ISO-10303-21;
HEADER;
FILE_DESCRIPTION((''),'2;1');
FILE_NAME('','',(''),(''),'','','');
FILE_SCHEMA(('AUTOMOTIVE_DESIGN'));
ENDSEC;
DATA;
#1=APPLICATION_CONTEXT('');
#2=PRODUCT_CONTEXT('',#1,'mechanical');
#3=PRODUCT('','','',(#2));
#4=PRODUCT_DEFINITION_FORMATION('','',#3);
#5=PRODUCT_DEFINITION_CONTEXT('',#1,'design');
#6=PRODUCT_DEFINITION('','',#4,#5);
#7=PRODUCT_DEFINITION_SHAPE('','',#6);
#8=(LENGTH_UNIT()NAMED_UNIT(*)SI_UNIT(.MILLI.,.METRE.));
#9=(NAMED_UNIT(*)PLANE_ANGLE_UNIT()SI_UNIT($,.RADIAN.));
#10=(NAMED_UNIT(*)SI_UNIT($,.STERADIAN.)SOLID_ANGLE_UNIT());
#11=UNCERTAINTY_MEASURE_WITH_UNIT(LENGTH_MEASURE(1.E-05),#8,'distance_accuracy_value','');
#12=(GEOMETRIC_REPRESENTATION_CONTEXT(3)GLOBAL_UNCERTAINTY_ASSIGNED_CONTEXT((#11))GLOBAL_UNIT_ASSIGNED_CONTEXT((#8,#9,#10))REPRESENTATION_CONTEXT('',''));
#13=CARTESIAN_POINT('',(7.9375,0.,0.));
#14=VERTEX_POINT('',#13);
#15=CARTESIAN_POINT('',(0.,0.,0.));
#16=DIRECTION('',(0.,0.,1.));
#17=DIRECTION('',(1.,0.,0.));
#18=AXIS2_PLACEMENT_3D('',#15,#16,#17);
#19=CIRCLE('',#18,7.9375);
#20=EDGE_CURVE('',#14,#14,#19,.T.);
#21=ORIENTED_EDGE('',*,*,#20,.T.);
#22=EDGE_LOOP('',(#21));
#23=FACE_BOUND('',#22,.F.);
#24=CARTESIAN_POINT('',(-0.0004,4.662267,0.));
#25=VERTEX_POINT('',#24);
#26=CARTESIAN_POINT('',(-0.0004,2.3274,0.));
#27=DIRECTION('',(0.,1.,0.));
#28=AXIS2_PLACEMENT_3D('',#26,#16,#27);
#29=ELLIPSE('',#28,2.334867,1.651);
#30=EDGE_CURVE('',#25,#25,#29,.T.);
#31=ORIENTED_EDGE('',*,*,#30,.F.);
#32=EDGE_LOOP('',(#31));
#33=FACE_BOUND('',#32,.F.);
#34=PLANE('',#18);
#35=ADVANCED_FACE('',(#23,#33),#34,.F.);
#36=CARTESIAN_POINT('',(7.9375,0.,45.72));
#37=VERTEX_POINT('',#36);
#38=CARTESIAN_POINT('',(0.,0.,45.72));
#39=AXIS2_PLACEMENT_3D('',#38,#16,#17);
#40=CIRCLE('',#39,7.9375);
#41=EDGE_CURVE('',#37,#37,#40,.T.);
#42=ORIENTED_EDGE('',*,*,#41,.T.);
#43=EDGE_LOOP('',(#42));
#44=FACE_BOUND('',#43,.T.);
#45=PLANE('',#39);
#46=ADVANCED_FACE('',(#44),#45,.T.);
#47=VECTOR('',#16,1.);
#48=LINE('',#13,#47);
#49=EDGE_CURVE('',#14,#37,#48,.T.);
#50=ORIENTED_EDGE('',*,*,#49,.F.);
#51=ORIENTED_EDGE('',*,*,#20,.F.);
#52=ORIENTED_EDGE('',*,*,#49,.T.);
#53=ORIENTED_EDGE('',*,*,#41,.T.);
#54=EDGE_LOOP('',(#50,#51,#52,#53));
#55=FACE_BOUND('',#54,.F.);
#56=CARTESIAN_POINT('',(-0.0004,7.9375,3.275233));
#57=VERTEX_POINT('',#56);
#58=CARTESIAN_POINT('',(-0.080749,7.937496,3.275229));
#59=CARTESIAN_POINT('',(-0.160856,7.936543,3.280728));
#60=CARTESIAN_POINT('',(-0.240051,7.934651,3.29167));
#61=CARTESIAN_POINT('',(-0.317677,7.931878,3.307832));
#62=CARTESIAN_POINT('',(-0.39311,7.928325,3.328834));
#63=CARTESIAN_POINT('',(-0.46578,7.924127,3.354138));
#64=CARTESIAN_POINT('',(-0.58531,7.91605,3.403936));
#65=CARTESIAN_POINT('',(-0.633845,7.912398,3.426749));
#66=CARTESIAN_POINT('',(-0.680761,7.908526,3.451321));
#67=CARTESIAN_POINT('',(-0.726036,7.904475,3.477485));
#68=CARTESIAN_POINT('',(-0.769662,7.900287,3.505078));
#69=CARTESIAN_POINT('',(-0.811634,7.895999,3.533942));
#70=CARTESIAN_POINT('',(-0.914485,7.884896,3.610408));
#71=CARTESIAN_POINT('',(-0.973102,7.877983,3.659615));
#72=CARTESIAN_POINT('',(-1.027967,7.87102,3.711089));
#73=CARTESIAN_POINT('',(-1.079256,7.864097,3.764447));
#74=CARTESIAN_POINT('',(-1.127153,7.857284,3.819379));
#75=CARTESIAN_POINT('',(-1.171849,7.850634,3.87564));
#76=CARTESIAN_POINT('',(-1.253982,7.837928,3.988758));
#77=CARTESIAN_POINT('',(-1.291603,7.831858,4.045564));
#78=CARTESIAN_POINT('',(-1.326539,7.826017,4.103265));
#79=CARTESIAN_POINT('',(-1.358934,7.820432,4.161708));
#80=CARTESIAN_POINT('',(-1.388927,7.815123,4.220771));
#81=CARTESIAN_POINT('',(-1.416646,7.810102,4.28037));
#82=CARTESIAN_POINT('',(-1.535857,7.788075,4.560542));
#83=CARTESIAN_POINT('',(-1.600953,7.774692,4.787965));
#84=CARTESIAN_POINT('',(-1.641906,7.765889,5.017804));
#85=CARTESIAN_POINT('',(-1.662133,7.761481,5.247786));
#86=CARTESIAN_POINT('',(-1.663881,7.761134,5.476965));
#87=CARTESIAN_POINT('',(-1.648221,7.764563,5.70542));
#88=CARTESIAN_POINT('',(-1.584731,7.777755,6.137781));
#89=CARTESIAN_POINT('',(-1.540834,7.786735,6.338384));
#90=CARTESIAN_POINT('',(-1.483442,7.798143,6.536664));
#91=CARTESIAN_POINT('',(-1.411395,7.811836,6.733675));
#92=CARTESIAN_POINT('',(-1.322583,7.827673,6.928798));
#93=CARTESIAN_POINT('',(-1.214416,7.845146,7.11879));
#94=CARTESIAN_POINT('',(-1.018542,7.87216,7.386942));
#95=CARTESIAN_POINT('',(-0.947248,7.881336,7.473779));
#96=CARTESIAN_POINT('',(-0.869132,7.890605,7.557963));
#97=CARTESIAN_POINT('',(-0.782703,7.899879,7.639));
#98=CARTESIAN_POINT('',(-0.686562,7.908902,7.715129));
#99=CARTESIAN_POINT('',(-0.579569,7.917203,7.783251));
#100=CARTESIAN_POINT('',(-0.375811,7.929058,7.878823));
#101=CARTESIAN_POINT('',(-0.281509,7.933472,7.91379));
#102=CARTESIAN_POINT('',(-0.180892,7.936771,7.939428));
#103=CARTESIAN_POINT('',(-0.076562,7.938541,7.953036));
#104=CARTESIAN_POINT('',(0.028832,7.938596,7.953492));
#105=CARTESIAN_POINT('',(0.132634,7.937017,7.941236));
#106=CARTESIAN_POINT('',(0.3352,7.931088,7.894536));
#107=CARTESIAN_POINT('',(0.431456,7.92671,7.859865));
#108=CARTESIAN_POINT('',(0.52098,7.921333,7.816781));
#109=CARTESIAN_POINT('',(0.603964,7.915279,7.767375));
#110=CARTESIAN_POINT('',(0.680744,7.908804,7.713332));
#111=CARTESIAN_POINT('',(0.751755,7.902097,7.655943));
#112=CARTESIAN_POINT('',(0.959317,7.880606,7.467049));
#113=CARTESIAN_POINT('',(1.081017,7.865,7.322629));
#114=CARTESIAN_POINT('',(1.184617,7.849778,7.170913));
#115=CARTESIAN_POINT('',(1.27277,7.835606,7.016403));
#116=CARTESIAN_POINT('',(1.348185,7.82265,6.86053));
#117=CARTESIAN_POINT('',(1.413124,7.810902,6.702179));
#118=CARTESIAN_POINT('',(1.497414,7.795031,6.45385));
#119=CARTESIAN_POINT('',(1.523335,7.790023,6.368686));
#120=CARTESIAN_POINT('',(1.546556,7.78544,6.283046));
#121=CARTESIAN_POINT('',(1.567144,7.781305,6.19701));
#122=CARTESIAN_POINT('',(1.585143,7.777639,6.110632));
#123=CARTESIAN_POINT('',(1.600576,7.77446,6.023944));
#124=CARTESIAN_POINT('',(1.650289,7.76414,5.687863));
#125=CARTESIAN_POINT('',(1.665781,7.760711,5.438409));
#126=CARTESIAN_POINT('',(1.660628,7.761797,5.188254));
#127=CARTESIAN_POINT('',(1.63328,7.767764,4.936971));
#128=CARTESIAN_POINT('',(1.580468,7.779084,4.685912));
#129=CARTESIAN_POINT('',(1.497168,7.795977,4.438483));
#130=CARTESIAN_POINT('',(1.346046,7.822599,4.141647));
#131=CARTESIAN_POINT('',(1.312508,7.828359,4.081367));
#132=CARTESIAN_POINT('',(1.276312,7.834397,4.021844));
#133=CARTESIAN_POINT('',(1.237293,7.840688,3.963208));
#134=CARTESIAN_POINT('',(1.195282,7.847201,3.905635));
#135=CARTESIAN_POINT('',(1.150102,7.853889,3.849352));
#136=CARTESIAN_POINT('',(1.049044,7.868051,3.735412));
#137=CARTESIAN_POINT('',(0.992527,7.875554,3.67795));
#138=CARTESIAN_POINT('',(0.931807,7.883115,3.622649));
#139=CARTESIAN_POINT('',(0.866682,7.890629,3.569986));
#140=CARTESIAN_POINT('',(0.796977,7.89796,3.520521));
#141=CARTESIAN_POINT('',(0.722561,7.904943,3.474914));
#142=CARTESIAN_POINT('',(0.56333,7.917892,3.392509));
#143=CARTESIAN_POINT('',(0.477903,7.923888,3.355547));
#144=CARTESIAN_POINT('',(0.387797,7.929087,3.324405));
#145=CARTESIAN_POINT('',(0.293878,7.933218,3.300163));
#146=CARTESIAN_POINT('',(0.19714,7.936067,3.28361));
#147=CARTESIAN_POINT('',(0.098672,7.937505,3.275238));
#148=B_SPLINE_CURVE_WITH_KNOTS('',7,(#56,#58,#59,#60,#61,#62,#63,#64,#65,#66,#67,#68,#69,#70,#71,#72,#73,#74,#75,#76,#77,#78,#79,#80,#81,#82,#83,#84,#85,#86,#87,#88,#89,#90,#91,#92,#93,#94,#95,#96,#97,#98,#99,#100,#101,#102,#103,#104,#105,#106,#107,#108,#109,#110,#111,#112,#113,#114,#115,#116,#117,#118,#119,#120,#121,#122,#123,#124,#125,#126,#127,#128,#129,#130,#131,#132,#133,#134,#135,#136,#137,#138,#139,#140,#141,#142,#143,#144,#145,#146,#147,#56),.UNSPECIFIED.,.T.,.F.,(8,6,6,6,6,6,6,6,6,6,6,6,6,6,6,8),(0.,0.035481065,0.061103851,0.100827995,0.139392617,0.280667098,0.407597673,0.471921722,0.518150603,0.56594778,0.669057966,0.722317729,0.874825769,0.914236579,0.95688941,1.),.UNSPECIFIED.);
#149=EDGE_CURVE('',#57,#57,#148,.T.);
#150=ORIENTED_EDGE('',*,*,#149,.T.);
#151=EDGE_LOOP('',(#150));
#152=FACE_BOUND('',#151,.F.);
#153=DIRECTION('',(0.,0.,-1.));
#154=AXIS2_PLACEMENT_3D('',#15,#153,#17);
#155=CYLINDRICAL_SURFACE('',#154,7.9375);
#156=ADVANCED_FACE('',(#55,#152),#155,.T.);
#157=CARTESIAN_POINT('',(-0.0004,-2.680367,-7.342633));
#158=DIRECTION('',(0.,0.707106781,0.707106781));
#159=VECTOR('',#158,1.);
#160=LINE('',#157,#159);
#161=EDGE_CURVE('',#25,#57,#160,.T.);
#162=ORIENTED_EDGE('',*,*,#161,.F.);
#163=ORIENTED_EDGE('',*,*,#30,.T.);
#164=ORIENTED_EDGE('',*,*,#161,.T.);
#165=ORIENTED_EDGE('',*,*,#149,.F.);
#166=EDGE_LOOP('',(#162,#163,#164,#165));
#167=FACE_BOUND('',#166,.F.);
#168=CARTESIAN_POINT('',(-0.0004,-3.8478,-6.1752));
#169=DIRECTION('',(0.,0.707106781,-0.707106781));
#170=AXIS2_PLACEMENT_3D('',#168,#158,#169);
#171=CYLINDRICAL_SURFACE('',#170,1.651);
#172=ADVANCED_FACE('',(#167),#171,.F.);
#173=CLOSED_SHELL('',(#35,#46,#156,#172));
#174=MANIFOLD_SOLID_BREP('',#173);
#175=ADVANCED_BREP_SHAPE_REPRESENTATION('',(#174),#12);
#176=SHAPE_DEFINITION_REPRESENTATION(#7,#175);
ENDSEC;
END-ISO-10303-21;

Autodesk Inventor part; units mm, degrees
ref_plane "YZ Plane" through (0, 0, 0) normal (1, 0, 0) x (0, 1, 0)
ref_plane "XY Plane" through (0, 0, 0) normal (0, 0, 1) x (1, 0, 0)
sketch "Sketch1" plane through (0, 0, 0) normal (0, 0, 1) x (1, 0, 0)
  circle A0 centre (0, 0) radius 7.9375
  dimension "d0" = 15.875
extrude "Extrusion1" add sketch "Sketch1" along normal blind 45.72
ref_plane "Work Plane2" through (0, 15.875, 0) normal (0, 1, 0) x (-1, 0, 0)
sketch "Sketch4" plane through (0, 15.875, 0) normal (0, 1, 0) x (-1, 0, 0)
  circle A0 centre (0, 7.62) radius 1.4605
  point P0 (0, 0)
  dimension "d6" = 2.921
  dimension "d7" = 7.62
sketch "Sketch5" plane through (0, 0, 0) normal (0, 0, -1) x (-1, 0, 0)
  circle A0 centre (0, 0) radius 7.9375 projected
  circle A1 centre (0, 0.3175) radius 1.4605
  line L0 (0, 7.9375) -> (14.2875, 7.9375)
  dimension "d8" = 2.921
  dimension "d9" = 7.62
ref_plane "Work Plane3" through (0, 7.9375, 0) normal (0, 0.7071, 0.7071) x (-1, 0, 0)
sketch "Sketch6" plane through (0, 7.9375, 0) normal (0, 0.7071, 0.7071) x (-1, 0, 0)
  circle A0 centre (0, 3.9683) radius 1.5875
  point P0 (0, 5.6127)
  dimension "d11" = 3.175
extrude "Extrusion2" add sketch "Sketch6" along normal mid plane 25.4
sketch "Sketch7" plane through (0, -3.8488, -6.1742) normal (0, -0.7071, -0.7071) x (-1, 0, 0)
  circle A0 centre (0, 0) radius 1.5875 projected
  circle A1 centre (0, 0) radius 1.5875 projected
  point P0 (0, -1.6443)
hole "Hole1" at (-0.0004, -3.8478, -6.1752) direction (0, 0.7071, 0.7071) diameter 3.302 depth 25.4 tip angle 118
properties part number "Copper"
